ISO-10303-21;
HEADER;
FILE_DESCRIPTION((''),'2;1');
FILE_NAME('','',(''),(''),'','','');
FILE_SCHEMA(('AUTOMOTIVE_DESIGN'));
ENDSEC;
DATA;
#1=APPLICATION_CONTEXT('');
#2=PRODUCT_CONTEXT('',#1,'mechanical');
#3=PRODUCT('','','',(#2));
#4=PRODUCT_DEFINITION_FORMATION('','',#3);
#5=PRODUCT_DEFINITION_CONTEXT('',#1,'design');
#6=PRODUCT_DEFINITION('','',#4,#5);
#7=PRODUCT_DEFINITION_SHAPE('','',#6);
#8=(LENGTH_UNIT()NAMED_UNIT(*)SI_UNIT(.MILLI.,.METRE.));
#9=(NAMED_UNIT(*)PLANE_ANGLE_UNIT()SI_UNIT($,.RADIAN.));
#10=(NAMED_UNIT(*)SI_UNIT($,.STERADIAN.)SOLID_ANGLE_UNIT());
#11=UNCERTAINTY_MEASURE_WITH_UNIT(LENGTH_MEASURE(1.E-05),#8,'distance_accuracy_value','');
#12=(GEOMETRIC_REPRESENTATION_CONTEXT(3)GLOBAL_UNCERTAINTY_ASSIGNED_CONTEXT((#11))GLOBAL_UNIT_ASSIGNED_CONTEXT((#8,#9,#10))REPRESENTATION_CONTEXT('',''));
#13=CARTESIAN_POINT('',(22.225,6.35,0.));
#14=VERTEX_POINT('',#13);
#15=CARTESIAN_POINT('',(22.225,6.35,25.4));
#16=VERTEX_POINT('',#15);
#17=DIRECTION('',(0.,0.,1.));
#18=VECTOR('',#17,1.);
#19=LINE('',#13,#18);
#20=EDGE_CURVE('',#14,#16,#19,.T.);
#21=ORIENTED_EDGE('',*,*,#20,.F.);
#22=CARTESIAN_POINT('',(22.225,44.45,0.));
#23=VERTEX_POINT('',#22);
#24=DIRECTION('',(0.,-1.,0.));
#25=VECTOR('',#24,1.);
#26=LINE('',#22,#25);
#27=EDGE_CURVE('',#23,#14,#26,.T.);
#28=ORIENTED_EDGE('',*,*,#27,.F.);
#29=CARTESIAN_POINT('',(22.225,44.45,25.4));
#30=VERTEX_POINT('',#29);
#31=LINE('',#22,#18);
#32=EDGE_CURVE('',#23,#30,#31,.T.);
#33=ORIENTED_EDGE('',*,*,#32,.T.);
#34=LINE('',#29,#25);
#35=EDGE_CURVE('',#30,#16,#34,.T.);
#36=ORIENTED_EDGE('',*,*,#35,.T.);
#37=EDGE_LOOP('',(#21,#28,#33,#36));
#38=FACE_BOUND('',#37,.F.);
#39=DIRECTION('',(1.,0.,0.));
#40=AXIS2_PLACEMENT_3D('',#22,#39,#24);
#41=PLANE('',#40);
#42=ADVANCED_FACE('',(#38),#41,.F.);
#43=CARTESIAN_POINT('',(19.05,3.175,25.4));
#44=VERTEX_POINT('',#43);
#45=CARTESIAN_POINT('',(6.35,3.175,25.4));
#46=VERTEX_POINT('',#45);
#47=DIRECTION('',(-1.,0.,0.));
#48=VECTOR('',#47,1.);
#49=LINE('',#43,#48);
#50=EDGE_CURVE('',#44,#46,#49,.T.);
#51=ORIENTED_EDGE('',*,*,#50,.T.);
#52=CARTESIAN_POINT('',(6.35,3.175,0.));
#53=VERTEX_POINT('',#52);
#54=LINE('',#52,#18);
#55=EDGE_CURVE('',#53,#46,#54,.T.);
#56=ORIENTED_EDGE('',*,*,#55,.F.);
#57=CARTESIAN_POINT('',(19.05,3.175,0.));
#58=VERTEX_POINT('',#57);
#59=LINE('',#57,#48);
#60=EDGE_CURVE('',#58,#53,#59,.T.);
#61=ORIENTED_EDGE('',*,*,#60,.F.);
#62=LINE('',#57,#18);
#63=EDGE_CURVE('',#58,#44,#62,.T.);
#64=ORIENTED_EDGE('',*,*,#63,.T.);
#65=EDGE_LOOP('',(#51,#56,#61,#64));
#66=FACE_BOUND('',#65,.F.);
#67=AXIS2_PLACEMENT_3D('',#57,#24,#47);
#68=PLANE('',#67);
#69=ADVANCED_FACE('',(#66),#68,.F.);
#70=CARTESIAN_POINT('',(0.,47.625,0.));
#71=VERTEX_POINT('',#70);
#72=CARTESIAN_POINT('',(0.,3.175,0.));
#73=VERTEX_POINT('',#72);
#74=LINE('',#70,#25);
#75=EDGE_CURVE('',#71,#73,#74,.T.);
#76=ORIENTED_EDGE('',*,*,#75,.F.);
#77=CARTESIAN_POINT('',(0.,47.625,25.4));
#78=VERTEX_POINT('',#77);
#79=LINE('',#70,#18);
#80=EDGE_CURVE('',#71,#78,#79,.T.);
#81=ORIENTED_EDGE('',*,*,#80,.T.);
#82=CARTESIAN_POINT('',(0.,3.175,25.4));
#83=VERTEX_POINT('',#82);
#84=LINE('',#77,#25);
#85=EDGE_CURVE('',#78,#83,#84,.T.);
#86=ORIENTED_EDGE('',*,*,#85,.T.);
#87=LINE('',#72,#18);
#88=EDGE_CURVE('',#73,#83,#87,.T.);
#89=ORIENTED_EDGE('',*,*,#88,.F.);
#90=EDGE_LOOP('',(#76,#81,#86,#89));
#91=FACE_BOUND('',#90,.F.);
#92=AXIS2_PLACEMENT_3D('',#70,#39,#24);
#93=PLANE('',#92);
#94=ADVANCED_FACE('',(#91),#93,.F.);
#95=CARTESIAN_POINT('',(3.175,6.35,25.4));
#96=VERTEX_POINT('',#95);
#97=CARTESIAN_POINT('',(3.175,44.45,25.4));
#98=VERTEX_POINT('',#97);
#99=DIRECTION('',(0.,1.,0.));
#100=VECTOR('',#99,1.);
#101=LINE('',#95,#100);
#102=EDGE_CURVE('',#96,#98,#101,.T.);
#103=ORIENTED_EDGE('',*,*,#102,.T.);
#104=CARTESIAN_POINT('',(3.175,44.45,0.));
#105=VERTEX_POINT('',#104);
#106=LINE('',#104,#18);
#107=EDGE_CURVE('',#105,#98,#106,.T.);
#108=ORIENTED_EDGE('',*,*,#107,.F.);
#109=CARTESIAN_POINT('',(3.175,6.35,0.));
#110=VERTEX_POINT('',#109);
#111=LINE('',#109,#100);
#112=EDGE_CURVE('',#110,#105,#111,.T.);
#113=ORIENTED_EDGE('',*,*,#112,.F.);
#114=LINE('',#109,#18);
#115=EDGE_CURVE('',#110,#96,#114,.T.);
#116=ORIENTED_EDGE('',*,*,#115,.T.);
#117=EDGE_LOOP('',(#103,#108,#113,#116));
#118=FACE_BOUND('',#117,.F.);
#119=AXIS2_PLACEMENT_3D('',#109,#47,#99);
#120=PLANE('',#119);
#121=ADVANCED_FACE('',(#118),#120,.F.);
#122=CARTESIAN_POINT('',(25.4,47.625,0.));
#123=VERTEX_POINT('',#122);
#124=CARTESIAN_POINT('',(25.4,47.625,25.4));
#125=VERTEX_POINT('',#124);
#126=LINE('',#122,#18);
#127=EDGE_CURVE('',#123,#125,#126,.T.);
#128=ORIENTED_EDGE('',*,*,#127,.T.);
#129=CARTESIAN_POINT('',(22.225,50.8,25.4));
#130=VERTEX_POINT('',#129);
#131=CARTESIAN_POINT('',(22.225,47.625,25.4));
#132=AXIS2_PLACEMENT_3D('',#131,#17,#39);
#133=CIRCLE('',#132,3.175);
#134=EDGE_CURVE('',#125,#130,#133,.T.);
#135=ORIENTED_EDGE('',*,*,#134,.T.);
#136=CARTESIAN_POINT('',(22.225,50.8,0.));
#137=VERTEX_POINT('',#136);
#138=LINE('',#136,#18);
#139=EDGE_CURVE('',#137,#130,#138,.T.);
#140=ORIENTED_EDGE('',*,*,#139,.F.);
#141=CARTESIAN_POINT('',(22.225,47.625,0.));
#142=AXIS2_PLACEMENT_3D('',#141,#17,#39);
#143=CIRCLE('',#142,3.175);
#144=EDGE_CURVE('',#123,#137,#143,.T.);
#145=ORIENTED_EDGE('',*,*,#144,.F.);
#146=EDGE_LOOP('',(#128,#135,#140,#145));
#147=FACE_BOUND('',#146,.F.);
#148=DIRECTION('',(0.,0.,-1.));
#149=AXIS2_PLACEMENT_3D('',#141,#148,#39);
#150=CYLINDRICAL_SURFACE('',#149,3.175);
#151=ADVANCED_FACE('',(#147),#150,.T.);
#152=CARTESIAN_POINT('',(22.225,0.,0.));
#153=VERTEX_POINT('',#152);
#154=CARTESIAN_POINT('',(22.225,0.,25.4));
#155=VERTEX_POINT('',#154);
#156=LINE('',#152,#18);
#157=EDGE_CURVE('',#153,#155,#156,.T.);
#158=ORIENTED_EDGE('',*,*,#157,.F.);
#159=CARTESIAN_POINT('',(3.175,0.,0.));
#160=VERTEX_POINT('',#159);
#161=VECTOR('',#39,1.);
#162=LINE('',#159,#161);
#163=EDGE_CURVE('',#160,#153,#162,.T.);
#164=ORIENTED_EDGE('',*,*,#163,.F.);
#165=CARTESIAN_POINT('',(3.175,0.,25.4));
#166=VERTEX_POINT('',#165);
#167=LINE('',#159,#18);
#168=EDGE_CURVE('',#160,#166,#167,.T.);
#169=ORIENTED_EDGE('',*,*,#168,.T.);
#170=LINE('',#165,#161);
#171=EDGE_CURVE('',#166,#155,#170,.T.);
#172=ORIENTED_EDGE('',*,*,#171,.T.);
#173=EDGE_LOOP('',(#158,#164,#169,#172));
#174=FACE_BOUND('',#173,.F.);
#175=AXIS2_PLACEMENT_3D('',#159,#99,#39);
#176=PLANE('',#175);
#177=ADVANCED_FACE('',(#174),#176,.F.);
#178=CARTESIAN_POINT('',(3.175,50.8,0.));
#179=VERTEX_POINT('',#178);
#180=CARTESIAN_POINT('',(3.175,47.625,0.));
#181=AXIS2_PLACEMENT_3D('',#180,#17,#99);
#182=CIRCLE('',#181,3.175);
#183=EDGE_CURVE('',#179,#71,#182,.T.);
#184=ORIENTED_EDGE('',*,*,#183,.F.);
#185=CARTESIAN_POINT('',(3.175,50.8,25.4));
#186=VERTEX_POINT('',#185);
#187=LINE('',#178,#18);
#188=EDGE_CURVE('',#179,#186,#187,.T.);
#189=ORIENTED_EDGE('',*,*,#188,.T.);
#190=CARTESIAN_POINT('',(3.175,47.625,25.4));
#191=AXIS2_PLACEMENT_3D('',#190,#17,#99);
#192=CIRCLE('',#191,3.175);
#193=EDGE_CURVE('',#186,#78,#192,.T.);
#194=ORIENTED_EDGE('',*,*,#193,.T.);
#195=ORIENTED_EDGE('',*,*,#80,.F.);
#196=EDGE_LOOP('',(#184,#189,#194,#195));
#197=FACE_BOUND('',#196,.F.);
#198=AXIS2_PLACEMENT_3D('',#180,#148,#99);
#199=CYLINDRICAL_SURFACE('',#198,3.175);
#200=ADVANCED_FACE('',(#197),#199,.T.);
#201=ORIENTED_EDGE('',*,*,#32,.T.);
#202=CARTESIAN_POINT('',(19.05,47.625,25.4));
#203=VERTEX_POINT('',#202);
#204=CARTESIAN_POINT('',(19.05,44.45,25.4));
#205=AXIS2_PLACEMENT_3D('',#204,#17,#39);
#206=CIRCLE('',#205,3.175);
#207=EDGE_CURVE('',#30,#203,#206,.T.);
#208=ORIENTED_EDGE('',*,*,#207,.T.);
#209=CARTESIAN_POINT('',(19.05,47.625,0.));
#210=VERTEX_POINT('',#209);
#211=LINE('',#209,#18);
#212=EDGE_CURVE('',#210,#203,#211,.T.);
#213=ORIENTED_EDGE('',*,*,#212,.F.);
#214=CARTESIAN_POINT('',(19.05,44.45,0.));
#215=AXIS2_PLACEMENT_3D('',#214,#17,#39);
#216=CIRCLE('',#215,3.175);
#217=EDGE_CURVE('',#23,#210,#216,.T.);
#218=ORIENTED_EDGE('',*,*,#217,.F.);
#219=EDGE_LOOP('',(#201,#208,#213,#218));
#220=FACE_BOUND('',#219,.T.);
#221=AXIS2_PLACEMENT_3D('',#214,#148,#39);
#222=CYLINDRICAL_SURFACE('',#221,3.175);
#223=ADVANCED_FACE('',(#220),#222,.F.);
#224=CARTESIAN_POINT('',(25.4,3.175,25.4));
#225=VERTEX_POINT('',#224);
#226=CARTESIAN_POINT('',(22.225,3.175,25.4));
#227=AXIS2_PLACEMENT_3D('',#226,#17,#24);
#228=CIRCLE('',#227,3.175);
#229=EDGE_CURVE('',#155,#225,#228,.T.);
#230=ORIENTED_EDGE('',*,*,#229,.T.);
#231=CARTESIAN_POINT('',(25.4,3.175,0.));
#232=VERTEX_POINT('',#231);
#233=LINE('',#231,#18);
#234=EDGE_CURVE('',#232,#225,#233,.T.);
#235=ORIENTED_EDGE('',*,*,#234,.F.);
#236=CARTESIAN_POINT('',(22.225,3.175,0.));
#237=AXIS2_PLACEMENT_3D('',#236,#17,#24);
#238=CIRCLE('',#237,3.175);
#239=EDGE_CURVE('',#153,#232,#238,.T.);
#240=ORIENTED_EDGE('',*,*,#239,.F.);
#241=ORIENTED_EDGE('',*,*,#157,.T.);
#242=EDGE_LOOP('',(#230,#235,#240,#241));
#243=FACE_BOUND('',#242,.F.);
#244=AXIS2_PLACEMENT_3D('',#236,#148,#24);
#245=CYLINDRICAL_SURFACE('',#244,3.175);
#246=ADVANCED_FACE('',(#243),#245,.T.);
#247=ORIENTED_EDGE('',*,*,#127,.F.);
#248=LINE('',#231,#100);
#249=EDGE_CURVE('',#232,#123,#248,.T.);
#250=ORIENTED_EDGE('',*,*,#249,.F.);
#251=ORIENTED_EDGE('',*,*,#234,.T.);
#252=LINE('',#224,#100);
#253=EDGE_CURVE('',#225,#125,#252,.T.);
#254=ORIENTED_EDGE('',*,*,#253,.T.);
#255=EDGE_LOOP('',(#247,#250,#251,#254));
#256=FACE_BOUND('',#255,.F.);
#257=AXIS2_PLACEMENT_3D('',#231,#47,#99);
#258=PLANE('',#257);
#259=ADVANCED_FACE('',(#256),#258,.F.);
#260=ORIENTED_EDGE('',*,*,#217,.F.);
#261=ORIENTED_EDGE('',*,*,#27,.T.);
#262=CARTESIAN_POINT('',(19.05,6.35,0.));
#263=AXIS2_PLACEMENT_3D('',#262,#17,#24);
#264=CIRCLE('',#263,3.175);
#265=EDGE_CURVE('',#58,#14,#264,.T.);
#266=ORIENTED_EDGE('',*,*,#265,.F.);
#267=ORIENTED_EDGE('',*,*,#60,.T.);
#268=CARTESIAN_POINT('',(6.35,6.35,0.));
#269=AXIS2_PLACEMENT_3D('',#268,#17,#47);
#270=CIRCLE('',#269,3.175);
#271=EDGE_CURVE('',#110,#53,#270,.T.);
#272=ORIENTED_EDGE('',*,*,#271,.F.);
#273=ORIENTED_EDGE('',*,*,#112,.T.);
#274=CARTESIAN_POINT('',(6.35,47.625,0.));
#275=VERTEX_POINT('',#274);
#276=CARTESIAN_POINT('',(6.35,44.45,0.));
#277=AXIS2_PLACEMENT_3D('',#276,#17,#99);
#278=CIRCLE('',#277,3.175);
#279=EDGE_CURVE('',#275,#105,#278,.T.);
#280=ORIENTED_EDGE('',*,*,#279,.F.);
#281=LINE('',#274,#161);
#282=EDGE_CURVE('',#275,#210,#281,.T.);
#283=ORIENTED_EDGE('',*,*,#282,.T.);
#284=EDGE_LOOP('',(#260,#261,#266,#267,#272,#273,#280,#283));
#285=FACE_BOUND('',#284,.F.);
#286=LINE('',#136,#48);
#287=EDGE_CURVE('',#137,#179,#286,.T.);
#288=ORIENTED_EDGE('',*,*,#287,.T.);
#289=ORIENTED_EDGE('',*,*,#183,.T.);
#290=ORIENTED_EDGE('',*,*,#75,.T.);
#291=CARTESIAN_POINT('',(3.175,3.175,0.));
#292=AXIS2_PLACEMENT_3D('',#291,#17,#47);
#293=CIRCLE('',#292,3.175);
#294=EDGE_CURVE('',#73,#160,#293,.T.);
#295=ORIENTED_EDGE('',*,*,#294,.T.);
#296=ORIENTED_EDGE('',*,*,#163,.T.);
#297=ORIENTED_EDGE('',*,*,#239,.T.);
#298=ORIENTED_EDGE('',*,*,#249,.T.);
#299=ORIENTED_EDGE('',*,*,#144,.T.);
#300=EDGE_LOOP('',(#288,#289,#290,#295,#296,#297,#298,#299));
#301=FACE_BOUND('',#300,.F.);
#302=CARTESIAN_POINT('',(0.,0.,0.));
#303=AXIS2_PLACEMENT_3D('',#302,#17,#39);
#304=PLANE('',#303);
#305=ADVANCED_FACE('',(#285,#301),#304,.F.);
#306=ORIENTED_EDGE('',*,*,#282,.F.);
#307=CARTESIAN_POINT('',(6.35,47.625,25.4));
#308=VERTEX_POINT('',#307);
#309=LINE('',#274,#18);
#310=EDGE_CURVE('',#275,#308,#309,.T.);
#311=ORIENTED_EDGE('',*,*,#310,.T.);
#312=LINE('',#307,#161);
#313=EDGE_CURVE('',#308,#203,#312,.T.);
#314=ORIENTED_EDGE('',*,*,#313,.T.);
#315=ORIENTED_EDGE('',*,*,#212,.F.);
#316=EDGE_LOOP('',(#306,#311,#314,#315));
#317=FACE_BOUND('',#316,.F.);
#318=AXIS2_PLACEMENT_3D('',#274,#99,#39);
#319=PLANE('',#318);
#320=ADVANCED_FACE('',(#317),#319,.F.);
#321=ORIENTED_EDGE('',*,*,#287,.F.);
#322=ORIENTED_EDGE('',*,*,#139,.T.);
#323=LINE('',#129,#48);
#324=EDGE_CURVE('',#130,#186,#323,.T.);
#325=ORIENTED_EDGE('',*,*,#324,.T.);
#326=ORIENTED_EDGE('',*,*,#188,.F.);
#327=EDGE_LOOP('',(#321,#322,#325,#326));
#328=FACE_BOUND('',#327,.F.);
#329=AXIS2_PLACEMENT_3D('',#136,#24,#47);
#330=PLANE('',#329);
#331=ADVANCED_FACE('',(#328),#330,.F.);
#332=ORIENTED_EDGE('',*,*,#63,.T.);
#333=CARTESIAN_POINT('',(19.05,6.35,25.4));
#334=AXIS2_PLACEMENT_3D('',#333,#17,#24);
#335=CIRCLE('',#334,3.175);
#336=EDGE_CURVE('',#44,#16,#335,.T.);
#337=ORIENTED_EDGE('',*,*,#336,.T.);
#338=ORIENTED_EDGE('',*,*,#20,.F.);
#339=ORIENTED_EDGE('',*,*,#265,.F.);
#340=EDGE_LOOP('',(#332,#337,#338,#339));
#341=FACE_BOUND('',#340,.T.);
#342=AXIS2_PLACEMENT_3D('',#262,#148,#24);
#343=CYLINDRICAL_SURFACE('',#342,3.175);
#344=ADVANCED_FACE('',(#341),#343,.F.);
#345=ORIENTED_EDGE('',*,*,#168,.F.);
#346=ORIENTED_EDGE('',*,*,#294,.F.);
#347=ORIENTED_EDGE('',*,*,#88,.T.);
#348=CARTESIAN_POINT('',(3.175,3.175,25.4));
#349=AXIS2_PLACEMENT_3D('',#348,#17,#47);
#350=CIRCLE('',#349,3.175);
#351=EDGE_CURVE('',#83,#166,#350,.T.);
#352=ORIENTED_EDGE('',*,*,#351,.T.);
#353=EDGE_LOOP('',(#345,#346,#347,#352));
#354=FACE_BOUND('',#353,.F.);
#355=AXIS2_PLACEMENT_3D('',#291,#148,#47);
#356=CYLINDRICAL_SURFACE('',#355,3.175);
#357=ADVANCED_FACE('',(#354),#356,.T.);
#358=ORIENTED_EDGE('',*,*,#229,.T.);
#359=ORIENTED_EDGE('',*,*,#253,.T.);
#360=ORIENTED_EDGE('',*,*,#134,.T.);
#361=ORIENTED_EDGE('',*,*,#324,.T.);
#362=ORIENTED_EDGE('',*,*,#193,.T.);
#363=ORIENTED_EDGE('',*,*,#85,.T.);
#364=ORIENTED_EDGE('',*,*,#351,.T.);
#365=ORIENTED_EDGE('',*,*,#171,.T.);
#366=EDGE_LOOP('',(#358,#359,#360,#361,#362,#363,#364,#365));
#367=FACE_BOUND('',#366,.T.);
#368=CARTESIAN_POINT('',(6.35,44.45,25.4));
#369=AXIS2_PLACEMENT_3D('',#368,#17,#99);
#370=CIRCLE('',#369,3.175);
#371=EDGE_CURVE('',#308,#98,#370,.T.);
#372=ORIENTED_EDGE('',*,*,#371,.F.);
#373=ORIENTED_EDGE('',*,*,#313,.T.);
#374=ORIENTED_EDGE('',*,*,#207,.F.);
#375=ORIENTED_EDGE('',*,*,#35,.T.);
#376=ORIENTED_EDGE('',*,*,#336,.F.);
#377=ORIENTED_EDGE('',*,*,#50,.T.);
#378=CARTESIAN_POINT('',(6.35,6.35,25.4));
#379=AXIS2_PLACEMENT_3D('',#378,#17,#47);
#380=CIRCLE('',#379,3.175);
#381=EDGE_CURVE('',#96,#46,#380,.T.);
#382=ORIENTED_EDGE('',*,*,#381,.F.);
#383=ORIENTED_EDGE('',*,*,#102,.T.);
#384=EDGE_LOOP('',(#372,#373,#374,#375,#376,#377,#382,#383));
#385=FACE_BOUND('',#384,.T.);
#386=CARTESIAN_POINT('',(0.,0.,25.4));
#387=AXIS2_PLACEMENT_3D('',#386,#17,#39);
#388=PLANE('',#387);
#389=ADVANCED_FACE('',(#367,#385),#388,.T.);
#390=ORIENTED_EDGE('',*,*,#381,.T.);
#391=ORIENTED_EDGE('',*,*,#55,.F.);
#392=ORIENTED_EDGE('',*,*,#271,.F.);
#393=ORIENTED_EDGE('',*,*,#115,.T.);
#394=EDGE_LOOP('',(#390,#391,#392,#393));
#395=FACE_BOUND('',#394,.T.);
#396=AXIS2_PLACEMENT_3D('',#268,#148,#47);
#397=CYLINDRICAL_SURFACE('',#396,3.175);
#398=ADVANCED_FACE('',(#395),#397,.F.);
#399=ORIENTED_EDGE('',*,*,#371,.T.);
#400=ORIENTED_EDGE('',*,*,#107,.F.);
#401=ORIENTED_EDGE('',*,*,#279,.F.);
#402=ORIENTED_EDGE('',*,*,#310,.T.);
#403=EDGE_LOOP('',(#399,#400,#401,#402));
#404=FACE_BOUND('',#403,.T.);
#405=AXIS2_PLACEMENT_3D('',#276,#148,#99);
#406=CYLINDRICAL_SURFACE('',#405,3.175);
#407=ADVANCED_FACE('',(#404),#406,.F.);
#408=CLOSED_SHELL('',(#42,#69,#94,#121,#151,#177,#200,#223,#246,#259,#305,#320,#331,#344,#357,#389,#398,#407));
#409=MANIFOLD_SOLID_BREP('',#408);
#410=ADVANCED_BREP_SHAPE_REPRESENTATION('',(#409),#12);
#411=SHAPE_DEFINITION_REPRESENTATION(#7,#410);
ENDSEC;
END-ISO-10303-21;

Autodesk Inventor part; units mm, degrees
ref_plane "YZ Plane" through (0, 0, 0) normal (1, 0, 0) x (0, 1, 0)
ref_plane "XZ Plane" through (0, 0, 0) normal (0, 1, 0) x (-1, 0, 0)
ref_plane "XY Plane" through (0, 0, 0) normal (0, 0, 1) x (1, 0, 0)
sketch "Sketch1" plane through (0, 0, 0) normal (0, 0, 1) x (1, 0, 0)
  line L0 (3.175, 0) -> (22.225, 0)
  line L1 (25.4, 3.175) -> (25.4, 47.625)
  line L2 (22.225, 50.8) -> (3.175, 50.8)
  line L3 (0, 47.625) -> (0, 3.175)
  arc A0 (3.175, 50.8) -> (0, 47.625) centre (3.175, 47.625) ccw
  arc A1 (25.4, 47.625) -> (22.225, 50.8) centre (22.225, 47.625) ccw
  arc A2 (22.225, 0) -> (25.4, 3.175) centre (22.225, 3.175) ccw
  arc A3 (0, 3.175) -> (3.175, 0) centre (3.175, 3.175) ccw
  line L4 (6.35, 47.625) -> (19.05, 47.625)
  line L5 (22.225, 44.45) -> (22.225, 6.35)
  line L6 (19.05, 3.175) -> (6.35, 3.175)
  line L7 (3.175, 6.35) -> (3.175, 44.45)
  arc A4 (6.35, 47.625) -> (3.175, 44.45) centre (6.35, 44.45) ccw
  arc A5 (22.225, 44.45) -> (19.05, 47.625) centre (19.05, 44.45) ccw
  arc A6 (3.175, 6.35) -> (6.35, 3.175) centre (6.35, 6.35) ccw
  arc A7 (19.05, 3.175) -> (22.225, 6.35) centre (19.05, 6.35) ccw
  point P0 (0, 0)
  point P1 (25.4, 0)
  point P2 (0, 50.8)
  dimension "d0" = 50.8
  dimension "d1" = 25.4
  dimension "d2" = 3.175
  dimension "d3" = 3.175
  dimension "d4" = 3.175
  dimension "d5" = 3.175
  dimension "d6" = 3.175
  dimension "d7" = 3.175
  dimension "d8" = 3.175
  dimension "d9" = 3.175
  dimension "d10" = 3.175
extrude "Extrusion1" add sketch "Sketch1" along normal blind 25.4
properties part number "O channel 1 inch"
